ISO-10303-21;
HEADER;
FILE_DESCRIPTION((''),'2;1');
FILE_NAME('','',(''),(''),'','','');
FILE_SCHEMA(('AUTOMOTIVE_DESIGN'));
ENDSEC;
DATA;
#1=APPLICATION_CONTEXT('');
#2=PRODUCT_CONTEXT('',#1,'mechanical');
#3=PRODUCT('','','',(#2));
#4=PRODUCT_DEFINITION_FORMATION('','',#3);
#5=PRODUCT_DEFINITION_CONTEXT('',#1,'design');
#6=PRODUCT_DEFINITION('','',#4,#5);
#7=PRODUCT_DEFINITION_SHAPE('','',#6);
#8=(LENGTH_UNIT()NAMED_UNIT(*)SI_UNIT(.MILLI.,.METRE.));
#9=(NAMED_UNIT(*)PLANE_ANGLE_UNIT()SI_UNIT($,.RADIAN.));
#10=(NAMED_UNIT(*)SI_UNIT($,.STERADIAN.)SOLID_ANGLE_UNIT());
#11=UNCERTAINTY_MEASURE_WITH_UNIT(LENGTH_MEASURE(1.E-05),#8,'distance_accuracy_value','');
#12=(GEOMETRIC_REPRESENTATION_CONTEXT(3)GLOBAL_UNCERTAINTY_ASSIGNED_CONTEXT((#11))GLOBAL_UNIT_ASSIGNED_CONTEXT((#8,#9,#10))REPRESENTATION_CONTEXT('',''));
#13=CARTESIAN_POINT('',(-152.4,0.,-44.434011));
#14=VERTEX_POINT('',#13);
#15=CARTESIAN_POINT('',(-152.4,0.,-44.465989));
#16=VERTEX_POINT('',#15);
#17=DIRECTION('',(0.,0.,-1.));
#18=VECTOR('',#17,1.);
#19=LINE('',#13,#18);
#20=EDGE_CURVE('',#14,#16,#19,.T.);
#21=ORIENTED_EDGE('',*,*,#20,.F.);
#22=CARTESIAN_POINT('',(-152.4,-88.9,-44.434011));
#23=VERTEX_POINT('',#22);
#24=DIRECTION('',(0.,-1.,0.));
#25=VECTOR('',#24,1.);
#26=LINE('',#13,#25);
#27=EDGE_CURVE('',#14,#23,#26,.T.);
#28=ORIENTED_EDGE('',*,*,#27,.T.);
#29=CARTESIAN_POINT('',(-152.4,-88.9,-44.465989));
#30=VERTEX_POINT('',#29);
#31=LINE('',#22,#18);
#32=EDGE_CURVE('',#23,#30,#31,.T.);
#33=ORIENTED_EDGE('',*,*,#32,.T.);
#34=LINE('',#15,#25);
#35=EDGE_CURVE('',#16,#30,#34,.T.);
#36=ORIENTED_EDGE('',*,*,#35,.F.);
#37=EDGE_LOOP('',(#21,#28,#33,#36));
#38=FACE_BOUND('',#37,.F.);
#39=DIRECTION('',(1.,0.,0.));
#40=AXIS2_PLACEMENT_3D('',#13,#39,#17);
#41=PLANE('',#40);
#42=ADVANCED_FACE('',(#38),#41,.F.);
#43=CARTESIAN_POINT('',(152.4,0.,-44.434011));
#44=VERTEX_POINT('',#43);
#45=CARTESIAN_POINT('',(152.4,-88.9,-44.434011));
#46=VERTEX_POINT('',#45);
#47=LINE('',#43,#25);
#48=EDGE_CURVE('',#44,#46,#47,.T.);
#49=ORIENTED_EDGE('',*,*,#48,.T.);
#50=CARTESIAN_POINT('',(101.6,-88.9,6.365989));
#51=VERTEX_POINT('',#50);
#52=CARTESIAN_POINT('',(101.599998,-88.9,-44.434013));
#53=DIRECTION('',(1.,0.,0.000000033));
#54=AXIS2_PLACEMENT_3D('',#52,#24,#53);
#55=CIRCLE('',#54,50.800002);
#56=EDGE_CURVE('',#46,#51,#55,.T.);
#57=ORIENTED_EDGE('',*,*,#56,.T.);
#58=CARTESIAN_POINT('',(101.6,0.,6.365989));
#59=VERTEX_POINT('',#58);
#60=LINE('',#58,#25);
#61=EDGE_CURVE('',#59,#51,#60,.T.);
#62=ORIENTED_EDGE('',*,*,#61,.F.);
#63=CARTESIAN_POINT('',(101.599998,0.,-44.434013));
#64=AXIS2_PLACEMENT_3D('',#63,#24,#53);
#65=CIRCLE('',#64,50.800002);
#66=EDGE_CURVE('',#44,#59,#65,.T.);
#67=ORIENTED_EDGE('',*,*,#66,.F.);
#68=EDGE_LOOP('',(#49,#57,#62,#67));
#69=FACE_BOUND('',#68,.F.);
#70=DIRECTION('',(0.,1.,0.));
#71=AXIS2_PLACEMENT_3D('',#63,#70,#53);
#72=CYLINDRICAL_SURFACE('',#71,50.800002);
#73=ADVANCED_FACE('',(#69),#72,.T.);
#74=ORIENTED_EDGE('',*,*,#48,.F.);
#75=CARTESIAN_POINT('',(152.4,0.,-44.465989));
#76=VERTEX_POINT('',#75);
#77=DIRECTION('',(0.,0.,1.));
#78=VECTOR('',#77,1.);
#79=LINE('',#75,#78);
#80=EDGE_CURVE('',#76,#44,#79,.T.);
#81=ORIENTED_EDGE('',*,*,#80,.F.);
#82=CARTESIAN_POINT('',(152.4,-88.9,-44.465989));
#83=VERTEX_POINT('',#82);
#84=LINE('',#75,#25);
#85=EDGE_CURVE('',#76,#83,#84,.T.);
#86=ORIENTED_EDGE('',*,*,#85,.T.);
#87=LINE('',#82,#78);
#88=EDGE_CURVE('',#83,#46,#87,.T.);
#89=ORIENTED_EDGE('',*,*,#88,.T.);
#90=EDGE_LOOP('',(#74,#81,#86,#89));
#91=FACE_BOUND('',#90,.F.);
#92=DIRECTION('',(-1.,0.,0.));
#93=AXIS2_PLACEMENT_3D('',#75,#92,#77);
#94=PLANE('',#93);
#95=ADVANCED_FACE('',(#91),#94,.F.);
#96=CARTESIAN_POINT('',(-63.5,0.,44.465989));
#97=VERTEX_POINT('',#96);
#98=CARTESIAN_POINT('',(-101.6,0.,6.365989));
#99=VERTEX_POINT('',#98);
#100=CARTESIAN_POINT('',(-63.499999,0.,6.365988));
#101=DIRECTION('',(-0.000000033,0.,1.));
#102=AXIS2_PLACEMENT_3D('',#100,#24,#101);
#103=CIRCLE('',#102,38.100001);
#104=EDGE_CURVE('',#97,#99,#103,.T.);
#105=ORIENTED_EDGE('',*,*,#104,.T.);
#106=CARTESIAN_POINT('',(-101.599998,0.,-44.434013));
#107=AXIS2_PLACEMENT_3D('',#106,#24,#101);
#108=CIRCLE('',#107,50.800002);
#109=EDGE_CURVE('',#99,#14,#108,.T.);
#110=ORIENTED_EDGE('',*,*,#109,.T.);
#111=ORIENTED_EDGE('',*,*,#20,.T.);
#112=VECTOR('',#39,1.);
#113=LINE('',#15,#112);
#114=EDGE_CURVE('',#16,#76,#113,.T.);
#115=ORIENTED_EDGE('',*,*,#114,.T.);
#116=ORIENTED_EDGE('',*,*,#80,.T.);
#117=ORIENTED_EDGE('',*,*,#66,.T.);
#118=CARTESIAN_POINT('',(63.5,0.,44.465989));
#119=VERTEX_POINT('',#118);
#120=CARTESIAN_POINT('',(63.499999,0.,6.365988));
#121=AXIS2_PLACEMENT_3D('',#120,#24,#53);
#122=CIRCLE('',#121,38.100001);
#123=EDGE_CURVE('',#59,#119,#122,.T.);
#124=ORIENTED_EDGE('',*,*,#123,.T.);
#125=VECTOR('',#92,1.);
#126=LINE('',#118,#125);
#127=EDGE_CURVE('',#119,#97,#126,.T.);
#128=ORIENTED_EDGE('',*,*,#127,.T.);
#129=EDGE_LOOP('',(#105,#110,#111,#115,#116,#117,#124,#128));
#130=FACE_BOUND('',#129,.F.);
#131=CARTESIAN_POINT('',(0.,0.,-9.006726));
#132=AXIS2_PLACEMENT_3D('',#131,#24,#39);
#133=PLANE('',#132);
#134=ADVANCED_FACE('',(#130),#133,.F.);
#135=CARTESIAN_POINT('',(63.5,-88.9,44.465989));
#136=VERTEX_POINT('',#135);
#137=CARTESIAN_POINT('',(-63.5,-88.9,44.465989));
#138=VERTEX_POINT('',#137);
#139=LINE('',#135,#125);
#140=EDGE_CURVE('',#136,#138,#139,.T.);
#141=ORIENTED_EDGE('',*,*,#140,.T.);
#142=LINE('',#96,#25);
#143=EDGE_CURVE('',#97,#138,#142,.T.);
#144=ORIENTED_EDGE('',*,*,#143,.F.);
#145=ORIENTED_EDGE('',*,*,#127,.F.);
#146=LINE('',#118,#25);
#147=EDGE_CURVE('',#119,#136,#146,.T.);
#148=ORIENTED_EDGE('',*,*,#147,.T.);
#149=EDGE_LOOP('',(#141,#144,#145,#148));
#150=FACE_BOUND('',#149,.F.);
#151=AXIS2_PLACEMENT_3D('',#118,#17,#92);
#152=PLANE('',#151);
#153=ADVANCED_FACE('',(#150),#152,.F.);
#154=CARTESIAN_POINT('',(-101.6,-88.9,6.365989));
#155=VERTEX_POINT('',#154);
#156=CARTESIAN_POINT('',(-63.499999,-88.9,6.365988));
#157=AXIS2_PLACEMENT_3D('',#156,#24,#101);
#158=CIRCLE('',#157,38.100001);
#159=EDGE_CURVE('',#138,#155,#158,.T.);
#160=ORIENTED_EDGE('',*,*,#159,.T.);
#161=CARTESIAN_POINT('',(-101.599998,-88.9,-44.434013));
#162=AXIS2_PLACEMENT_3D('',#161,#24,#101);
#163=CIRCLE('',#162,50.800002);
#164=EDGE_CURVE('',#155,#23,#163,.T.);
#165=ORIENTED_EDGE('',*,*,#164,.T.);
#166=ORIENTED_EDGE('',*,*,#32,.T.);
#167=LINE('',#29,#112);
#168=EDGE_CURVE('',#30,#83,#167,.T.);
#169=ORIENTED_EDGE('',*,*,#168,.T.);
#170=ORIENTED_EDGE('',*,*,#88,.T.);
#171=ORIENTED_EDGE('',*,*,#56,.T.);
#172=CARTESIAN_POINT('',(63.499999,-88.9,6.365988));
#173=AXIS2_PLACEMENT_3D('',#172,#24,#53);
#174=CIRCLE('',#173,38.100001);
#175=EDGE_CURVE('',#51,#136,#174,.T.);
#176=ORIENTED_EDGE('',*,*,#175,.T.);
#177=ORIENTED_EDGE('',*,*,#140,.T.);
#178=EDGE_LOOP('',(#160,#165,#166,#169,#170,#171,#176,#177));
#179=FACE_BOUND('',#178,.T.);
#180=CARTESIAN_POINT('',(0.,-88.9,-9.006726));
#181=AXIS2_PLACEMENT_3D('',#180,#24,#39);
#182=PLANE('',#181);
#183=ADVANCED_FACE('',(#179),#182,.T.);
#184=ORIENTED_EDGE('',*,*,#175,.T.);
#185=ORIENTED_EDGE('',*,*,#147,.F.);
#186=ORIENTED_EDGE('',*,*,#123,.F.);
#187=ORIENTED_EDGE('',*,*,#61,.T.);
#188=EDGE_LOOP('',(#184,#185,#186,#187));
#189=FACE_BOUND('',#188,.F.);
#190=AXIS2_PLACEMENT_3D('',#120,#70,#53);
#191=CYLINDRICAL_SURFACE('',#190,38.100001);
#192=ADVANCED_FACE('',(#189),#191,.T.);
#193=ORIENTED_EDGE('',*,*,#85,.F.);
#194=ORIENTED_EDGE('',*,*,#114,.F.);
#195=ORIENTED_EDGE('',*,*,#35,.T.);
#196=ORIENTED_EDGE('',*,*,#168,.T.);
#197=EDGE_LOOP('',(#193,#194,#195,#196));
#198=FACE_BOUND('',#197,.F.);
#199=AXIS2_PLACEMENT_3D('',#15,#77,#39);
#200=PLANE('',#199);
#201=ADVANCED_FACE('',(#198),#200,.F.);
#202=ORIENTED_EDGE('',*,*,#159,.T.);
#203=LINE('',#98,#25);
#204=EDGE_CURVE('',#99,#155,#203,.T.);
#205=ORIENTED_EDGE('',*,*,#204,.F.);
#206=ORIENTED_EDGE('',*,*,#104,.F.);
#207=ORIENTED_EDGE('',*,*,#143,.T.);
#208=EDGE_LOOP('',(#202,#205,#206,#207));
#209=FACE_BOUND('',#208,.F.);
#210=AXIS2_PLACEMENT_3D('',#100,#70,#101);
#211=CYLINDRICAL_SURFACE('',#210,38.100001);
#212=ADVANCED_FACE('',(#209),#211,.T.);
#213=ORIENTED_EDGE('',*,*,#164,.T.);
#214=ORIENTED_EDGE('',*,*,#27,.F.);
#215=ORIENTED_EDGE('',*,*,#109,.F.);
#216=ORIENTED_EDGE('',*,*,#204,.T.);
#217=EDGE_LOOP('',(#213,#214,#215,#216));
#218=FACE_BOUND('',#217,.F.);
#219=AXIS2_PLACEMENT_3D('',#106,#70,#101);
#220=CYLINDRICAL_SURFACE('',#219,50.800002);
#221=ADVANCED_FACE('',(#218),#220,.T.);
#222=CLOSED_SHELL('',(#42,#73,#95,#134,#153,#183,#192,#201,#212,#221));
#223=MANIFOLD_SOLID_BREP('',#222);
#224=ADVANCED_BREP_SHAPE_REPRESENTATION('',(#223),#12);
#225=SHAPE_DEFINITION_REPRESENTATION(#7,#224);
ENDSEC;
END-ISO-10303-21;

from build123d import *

# Parameters (mm, degrees)
F1_DEPTH = 88.9


with BuildPart() as f1:
    # F0 (on Front) → F1 (new body)
    with BuildSketch(Plane.XZ):
        with BuildLine():
            Line((-152.4, -44.465989), (152.4, -44.465989))
            Line((152.4, -44.465989), (152.4, -44.434011))
            ThreePointArc((152.4, -44.434011), (137.521024, -8.512987), (101.6, 6.365989))
            ThreePointArc((101.6, 6.365989), (90.440768, 33.306757), (63.5, 44.465989))
            Line((63.5, 44.465989), (-63.5, 44.465989))
            ThreePointArc((-63.5, 44.465989), (-90.440768, 33.306757), (-101.6, 6.365989))
            ThreePointArc((-101.6, 6.365989), (-137.521024, -8.512987), (-152.4, -44.434011))
            Line((-152.4, -44.434011), (-152.4, -44.465989))
        make_face()
    extrude(amount=F1_DEPTH)


solid = f1.part
